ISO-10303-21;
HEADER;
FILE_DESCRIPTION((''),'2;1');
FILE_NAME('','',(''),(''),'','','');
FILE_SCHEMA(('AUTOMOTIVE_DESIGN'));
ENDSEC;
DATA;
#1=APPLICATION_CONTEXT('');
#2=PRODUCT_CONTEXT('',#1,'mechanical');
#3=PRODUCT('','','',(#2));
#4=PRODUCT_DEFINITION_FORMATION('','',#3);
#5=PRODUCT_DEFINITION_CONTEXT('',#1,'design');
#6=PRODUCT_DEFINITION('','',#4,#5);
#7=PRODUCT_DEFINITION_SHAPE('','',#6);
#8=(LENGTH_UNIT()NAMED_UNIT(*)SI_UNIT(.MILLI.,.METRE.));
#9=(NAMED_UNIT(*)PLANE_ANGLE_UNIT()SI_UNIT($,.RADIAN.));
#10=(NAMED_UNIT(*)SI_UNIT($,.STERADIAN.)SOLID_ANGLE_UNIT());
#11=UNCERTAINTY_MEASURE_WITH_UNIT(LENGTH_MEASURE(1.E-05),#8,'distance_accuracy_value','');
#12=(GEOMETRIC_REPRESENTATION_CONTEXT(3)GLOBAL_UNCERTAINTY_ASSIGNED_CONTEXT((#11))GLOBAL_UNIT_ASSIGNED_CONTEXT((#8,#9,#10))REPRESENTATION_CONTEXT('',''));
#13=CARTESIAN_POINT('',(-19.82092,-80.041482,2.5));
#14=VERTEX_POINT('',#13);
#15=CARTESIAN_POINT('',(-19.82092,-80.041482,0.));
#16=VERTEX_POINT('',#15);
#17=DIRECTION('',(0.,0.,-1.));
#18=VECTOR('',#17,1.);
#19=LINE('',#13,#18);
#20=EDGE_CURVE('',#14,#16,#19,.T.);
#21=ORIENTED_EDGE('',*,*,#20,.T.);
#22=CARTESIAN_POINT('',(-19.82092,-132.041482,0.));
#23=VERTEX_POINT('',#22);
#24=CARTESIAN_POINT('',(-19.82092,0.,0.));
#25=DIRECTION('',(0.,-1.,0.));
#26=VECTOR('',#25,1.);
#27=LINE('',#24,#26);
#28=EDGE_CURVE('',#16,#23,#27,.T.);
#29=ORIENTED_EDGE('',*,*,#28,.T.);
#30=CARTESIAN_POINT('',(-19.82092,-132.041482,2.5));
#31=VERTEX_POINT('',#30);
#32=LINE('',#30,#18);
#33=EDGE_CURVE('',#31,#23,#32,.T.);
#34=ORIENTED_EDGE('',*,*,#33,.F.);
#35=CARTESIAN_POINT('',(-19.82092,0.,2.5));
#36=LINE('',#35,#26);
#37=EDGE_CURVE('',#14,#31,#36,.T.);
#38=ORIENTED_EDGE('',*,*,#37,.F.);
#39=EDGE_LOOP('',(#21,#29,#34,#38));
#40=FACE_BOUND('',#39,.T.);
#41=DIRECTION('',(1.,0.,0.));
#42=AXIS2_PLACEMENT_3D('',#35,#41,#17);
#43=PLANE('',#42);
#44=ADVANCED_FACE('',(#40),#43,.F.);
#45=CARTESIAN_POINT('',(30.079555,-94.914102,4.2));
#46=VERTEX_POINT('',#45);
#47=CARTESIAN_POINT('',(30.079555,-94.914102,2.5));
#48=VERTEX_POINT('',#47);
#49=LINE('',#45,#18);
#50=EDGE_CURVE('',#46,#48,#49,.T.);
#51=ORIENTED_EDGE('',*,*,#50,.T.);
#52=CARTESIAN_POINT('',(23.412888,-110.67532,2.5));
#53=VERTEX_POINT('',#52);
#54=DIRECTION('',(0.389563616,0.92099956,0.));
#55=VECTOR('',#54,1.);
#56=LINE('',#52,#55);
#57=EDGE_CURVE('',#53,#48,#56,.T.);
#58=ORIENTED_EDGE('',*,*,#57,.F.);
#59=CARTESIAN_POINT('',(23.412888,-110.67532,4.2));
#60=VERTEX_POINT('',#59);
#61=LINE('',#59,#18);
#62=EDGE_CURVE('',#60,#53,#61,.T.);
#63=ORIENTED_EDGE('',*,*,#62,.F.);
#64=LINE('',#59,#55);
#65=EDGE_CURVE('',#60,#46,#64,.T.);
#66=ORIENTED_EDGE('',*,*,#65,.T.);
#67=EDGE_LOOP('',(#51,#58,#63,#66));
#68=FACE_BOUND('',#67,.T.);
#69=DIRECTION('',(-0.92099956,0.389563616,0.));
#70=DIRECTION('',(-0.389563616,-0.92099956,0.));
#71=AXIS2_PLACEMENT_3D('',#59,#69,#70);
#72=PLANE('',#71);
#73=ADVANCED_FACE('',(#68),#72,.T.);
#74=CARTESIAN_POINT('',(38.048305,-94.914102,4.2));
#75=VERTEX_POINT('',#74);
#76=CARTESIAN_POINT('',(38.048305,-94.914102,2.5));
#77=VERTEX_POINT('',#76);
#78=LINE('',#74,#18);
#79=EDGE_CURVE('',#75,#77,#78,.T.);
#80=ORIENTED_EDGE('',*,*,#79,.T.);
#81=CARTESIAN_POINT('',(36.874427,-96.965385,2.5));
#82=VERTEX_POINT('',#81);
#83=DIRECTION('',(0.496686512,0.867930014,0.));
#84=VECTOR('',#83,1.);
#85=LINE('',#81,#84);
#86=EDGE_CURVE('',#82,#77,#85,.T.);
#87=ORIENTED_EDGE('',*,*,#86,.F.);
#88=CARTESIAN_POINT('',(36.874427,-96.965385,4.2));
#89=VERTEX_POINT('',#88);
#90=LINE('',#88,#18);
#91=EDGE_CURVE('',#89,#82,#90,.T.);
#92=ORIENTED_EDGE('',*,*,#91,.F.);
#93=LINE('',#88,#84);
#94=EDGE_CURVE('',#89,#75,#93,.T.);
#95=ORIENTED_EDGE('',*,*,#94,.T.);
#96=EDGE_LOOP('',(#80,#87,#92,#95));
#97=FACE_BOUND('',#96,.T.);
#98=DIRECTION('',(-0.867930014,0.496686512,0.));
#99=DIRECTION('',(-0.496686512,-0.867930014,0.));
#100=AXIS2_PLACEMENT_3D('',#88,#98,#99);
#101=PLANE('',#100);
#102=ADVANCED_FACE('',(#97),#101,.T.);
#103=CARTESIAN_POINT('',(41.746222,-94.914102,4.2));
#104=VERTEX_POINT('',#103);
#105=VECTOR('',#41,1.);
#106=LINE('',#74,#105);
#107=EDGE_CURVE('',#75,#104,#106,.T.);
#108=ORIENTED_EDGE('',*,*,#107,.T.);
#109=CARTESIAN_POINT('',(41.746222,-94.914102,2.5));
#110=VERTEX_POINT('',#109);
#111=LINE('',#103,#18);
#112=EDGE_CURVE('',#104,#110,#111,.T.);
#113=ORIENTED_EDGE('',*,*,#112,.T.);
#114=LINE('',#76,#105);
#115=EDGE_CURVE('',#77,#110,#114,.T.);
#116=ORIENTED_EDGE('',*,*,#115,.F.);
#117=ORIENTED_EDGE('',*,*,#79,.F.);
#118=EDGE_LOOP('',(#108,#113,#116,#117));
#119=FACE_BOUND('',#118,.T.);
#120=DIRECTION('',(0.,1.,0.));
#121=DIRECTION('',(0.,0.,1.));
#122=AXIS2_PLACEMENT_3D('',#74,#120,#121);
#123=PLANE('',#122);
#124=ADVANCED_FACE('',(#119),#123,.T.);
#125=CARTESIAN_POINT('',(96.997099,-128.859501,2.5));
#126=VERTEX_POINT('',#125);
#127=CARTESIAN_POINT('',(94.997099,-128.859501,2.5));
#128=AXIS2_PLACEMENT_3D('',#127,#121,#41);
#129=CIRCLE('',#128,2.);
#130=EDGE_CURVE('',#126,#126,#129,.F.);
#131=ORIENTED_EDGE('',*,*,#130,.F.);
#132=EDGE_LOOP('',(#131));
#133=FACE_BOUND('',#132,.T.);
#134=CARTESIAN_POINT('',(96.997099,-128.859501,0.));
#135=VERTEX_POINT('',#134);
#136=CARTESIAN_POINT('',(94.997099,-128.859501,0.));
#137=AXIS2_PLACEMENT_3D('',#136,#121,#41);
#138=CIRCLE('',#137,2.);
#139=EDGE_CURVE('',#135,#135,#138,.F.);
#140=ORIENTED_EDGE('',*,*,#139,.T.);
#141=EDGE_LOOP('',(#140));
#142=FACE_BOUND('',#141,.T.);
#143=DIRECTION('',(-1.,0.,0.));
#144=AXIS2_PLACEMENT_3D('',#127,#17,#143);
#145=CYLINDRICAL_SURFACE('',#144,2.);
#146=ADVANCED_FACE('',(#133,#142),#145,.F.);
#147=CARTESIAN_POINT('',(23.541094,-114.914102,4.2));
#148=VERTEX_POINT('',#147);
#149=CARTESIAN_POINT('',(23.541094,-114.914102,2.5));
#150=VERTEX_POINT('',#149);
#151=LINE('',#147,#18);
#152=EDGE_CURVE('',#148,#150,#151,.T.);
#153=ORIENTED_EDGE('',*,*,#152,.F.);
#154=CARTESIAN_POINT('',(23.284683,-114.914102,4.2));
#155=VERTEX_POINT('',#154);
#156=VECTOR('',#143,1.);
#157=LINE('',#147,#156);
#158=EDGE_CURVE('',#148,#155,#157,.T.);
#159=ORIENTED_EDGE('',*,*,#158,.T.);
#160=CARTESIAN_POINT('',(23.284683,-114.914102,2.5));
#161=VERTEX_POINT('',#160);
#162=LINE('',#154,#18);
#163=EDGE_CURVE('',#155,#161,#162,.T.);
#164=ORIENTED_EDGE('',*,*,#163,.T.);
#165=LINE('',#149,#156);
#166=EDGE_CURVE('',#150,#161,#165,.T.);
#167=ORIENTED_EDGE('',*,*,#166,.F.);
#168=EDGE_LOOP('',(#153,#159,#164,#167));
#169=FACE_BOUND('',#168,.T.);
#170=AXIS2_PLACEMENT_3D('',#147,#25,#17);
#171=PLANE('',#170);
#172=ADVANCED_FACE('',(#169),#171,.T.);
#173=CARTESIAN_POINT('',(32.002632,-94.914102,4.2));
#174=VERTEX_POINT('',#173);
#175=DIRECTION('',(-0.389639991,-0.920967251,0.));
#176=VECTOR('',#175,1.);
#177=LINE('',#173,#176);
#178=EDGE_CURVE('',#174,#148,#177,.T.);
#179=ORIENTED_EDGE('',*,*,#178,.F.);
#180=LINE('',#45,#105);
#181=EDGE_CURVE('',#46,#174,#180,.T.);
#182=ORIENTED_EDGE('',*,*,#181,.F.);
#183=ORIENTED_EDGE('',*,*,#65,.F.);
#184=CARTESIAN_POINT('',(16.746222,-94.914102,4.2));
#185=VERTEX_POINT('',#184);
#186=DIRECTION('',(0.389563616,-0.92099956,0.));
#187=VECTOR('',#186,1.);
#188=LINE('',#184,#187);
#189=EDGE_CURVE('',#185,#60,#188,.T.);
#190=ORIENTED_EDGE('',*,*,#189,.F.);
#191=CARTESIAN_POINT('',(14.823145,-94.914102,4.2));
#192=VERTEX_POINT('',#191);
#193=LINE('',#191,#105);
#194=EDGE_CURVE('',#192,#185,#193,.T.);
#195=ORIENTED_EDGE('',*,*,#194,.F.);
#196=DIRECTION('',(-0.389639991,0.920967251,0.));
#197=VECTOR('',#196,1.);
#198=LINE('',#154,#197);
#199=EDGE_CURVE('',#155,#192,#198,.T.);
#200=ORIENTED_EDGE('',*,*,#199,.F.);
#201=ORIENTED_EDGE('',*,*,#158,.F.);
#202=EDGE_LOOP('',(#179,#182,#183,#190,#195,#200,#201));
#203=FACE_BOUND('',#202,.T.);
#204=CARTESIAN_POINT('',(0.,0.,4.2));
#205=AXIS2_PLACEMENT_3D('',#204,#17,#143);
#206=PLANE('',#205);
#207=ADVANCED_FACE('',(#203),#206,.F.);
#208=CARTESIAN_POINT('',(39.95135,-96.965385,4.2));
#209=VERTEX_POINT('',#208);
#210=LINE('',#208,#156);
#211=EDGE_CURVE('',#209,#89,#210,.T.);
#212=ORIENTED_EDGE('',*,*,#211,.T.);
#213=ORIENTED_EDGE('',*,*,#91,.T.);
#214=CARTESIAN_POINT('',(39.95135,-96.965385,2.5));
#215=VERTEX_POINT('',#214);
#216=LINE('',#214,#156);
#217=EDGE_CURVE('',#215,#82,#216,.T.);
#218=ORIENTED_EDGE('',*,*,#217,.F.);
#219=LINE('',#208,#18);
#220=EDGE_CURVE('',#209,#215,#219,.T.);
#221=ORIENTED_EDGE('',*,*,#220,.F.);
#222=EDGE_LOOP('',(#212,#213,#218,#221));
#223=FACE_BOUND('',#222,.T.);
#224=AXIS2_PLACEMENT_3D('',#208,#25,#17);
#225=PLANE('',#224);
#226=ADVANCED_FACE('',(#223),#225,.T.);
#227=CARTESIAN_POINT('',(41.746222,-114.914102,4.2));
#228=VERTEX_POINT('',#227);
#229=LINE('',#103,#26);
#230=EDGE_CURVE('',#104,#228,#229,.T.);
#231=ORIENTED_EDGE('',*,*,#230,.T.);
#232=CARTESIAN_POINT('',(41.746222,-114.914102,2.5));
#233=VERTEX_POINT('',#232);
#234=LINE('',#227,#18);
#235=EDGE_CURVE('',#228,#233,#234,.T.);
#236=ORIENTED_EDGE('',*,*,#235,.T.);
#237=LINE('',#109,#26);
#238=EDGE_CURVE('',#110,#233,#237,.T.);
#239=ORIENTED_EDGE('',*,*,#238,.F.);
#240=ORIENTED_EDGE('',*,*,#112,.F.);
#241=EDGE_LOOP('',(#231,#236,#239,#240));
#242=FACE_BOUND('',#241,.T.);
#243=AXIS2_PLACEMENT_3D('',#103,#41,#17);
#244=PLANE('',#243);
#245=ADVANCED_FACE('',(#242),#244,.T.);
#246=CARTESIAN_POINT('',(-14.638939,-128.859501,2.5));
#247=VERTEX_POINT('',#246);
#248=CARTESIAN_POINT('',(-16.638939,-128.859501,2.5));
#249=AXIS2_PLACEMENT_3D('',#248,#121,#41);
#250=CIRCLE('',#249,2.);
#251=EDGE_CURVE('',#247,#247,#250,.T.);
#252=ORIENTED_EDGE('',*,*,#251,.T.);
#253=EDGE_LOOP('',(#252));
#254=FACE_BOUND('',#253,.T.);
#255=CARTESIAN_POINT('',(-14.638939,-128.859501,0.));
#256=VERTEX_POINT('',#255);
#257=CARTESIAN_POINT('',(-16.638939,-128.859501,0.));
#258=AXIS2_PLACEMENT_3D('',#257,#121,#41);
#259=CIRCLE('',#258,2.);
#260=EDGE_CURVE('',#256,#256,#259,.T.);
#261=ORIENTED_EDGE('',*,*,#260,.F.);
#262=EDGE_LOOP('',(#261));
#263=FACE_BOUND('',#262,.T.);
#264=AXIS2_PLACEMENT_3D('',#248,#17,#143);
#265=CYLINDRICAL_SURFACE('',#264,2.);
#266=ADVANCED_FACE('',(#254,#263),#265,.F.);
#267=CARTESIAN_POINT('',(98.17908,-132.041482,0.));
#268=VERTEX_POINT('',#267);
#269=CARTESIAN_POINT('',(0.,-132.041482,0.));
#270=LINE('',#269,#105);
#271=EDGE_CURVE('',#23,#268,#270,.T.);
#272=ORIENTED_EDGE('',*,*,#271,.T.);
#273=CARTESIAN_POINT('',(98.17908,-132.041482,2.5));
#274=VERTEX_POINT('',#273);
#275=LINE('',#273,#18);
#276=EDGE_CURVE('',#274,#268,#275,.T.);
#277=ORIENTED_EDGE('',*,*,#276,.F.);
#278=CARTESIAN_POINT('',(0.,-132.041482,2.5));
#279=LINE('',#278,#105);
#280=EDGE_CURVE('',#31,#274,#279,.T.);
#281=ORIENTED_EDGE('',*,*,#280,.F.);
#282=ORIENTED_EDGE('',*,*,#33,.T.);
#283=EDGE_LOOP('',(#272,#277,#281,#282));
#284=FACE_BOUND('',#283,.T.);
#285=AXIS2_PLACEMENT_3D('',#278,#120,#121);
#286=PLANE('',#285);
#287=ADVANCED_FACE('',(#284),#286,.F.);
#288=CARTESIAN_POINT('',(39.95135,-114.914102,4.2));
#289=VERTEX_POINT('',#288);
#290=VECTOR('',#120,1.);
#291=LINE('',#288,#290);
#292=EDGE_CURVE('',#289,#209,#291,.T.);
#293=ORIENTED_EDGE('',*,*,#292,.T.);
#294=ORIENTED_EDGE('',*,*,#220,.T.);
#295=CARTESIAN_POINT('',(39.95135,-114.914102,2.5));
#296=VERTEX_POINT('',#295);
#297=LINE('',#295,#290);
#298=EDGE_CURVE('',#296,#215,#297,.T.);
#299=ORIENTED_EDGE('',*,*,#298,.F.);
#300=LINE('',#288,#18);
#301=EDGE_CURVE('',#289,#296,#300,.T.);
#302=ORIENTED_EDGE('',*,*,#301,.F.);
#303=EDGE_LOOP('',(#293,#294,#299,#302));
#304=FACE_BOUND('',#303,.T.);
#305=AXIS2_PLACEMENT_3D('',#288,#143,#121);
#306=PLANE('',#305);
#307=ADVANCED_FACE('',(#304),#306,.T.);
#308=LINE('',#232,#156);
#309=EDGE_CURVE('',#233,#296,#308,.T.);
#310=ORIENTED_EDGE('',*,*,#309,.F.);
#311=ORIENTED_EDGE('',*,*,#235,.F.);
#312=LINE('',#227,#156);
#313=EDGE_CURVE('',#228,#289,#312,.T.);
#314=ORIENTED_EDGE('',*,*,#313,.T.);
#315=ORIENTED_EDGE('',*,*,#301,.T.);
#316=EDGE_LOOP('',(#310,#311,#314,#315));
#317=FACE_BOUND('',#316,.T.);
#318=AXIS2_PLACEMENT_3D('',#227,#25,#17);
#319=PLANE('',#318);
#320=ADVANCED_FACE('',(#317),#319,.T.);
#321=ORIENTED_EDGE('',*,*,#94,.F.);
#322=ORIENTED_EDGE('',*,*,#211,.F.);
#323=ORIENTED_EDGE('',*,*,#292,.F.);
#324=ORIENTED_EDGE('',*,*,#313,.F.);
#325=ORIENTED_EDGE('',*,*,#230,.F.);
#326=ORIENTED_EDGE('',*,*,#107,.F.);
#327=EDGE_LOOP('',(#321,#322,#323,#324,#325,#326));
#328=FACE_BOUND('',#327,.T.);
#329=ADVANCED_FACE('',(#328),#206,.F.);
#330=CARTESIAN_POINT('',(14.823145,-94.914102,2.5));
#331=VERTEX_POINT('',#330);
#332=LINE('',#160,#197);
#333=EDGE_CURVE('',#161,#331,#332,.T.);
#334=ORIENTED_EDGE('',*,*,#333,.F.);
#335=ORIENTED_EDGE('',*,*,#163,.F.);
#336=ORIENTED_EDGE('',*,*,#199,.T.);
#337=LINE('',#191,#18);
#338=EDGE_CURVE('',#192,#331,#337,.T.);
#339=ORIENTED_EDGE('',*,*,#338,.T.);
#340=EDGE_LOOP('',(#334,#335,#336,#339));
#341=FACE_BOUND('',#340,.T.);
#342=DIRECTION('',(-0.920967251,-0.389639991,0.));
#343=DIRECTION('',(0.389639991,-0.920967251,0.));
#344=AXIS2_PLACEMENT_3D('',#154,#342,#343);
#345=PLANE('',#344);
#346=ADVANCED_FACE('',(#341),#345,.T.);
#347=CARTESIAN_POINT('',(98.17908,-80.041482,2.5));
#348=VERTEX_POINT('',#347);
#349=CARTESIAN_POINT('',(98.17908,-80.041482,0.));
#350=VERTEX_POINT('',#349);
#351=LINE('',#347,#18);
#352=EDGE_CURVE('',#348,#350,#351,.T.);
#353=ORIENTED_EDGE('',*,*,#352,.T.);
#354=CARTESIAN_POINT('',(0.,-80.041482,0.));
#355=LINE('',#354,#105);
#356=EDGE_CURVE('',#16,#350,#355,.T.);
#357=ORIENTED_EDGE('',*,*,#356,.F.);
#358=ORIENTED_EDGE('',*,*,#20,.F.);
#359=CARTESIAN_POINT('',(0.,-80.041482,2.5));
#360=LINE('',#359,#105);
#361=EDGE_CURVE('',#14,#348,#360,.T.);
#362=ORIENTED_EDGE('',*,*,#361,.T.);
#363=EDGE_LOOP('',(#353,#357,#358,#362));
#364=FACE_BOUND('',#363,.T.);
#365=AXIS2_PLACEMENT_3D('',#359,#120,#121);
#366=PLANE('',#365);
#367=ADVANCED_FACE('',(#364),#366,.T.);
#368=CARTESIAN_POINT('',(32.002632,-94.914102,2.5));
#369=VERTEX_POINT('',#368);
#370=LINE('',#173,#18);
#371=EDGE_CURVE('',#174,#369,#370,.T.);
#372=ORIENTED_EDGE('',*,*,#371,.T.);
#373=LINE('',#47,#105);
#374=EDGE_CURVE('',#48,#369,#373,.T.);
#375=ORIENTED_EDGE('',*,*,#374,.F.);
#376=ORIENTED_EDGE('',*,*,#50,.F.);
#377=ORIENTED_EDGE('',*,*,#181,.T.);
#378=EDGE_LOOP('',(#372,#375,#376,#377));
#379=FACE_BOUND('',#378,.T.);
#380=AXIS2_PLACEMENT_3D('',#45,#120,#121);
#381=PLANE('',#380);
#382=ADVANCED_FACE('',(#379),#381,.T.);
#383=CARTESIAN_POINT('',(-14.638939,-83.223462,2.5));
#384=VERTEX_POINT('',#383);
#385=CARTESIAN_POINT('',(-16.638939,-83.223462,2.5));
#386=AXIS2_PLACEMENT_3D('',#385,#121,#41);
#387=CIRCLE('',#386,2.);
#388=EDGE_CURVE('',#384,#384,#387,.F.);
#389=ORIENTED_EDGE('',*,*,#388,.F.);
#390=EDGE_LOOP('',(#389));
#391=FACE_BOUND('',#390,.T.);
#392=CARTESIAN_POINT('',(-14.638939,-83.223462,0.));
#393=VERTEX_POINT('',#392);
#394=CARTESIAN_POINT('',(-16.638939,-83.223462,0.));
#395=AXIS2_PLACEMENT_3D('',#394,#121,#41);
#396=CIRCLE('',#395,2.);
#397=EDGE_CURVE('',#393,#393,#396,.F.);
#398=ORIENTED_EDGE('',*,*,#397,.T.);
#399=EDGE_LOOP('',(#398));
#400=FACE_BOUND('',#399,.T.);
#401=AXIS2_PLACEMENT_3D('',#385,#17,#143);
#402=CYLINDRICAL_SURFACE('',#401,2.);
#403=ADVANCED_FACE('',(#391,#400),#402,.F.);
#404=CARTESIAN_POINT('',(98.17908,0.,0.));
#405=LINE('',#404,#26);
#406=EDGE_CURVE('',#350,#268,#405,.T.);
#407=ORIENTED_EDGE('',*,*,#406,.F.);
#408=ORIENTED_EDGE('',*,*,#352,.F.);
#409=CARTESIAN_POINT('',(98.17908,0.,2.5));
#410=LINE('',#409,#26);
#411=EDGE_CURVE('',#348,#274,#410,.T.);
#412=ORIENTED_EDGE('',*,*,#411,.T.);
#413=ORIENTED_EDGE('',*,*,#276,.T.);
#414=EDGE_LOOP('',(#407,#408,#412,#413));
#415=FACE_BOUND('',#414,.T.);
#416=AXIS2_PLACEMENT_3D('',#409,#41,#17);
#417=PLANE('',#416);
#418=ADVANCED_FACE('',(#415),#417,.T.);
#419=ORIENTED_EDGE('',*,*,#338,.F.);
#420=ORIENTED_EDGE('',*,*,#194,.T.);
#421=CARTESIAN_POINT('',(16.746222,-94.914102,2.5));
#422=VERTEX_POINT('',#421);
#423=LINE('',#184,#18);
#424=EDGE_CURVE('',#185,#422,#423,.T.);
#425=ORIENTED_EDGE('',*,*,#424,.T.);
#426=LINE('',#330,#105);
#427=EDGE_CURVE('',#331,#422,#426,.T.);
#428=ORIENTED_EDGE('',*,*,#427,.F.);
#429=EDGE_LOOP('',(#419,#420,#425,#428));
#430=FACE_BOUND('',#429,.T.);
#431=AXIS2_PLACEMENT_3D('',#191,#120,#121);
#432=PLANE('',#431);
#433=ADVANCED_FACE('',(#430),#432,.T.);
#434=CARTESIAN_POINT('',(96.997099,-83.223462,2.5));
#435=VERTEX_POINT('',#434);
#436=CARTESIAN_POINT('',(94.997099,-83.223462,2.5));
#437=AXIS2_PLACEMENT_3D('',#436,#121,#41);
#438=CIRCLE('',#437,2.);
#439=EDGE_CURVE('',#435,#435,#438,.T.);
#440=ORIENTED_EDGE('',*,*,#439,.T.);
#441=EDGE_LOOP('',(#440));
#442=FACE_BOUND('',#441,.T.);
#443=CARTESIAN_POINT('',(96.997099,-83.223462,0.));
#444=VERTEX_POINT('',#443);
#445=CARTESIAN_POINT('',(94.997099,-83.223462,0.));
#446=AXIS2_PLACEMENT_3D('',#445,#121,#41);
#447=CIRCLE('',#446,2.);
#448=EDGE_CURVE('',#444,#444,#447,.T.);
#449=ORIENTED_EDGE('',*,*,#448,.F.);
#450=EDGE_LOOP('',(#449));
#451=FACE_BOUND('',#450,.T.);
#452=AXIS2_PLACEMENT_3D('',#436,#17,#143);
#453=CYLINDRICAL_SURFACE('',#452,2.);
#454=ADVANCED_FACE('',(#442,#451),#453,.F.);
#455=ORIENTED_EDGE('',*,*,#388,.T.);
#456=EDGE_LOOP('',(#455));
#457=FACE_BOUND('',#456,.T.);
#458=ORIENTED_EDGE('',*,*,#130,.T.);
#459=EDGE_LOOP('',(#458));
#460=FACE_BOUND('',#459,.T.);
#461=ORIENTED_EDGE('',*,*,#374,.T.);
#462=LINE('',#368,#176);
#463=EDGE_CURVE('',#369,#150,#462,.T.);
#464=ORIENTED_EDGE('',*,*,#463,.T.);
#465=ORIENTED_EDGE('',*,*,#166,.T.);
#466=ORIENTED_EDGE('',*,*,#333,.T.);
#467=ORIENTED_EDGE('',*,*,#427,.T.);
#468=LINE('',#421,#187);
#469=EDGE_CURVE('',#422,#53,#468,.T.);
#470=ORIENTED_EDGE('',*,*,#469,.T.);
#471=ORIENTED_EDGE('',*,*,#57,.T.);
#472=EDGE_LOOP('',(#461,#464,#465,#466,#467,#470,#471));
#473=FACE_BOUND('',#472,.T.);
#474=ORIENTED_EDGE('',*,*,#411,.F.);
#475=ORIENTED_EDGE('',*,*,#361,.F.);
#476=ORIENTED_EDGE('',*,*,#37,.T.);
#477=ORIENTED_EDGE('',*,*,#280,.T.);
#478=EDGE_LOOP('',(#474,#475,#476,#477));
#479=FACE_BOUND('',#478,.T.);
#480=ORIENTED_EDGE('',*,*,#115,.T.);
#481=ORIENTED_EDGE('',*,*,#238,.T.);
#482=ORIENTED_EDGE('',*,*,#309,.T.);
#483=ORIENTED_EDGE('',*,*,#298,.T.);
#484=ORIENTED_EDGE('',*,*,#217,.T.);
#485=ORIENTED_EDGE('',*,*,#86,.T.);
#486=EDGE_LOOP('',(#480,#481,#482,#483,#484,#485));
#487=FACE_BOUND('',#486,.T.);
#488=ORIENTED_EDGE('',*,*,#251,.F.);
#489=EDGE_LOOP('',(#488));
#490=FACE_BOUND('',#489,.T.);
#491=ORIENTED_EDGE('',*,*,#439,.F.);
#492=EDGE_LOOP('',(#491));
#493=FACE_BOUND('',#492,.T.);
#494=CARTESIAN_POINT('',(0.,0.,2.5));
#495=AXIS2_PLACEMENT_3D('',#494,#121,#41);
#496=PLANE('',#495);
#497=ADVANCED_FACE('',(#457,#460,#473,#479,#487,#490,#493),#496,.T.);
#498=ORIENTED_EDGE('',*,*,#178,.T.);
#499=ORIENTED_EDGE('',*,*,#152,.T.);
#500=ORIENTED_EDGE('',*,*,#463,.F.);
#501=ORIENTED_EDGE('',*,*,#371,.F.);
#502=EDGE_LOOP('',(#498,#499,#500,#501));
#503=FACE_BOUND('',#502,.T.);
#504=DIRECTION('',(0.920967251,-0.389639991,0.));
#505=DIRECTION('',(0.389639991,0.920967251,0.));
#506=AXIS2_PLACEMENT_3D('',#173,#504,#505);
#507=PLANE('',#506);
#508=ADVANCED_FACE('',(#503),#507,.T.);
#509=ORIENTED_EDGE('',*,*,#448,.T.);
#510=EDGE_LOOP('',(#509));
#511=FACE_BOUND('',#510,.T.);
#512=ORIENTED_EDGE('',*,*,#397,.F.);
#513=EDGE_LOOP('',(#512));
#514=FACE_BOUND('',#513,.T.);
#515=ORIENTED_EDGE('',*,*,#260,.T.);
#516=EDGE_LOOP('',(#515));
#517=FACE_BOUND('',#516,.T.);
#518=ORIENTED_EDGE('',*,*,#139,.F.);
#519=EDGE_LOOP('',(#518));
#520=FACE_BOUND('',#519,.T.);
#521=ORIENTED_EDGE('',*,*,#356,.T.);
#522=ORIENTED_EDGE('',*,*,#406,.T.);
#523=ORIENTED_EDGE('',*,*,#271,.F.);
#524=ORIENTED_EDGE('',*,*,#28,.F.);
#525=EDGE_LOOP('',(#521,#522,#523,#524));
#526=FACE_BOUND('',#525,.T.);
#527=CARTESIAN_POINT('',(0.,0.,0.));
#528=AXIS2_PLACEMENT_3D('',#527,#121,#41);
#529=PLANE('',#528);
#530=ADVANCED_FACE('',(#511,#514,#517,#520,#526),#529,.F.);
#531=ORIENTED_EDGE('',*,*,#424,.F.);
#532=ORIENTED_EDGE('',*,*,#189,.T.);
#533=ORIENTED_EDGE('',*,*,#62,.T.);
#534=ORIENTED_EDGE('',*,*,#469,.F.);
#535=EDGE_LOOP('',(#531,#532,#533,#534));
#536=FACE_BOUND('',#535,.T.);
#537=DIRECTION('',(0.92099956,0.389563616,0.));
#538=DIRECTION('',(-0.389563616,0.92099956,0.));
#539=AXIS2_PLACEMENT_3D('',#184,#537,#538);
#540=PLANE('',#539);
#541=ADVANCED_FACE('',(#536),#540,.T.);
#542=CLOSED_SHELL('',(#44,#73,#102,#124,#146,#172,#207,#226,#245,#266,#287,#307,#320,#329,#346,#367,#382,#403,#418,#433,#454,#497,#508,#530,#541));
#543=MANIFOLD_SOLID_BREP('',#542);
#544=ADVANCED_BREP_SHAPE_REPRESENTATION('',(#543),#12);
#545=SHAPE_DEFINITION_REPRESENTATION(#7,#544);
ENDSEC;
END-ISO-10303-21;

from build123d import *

# Parameters (mm, degrees)
SKETCH1_W           = 118
SKETCH1_H           = 52
SKETCH1_R           = 2
BOSS_EXTRUDE1_DEPTH = 2.5
BOSS_EXTRUDE2_DEPTH = 1.7


with BuildPart() as part:
    # Sketch1 → Boss-Extrude1 (new body)
    with BuildSketch(Plane.XY):
        with Locations((39.179079988, -106.041481737)):
            Rectangle(SKETCH1_W, SKETCH1_H)
        with Locations((-16.638939496, -128.859501222)):
            Circle(SKETCH1_R, mode=Mode.SUBTRACT)
        with Locations((94.997099473, -128.859501222)):
            Circle(SKETCH1_R, mode=Mode.SUBTRACT)
        with Locations((94.997099473, -83.223462252)):
            Circle(SKETCH1_R, mode=Mode.SUBTRACT)
        with Locations((-16.638939496, -83.223462252)):
            Circle(SKETCH1_R, mode=Mode.SUBTRACT)
    extrude(amount=BOSS_EXTRUDE1_DEPTH)

    # Sketch2 → Boss-Extrude2 (add)
    with BuildSketch(Plane.XY.offset(2.5)):
        Polygon((14.823144888, -94.914102462), (16.746221811, -94.914102462), (23.412888478, -110.67532041), (30.079555144, -94.914102462), (32.002632067, -94.914102462), (23.541093606, -114.914102462), (23.284683349, -114.914102462), align=None)
        Polygon((38.048305144, -94.914102462), (41.746221811, -94.914102462), (41.746221811, -114.914102462), (39.951350016, -114.914102462), (39.951350016, -96.965384513), (36.874426939, -96.965384513), align=None)
    extrude(amount=BOSS_EXTRUDE2_DEPTH)


solid = part.part
